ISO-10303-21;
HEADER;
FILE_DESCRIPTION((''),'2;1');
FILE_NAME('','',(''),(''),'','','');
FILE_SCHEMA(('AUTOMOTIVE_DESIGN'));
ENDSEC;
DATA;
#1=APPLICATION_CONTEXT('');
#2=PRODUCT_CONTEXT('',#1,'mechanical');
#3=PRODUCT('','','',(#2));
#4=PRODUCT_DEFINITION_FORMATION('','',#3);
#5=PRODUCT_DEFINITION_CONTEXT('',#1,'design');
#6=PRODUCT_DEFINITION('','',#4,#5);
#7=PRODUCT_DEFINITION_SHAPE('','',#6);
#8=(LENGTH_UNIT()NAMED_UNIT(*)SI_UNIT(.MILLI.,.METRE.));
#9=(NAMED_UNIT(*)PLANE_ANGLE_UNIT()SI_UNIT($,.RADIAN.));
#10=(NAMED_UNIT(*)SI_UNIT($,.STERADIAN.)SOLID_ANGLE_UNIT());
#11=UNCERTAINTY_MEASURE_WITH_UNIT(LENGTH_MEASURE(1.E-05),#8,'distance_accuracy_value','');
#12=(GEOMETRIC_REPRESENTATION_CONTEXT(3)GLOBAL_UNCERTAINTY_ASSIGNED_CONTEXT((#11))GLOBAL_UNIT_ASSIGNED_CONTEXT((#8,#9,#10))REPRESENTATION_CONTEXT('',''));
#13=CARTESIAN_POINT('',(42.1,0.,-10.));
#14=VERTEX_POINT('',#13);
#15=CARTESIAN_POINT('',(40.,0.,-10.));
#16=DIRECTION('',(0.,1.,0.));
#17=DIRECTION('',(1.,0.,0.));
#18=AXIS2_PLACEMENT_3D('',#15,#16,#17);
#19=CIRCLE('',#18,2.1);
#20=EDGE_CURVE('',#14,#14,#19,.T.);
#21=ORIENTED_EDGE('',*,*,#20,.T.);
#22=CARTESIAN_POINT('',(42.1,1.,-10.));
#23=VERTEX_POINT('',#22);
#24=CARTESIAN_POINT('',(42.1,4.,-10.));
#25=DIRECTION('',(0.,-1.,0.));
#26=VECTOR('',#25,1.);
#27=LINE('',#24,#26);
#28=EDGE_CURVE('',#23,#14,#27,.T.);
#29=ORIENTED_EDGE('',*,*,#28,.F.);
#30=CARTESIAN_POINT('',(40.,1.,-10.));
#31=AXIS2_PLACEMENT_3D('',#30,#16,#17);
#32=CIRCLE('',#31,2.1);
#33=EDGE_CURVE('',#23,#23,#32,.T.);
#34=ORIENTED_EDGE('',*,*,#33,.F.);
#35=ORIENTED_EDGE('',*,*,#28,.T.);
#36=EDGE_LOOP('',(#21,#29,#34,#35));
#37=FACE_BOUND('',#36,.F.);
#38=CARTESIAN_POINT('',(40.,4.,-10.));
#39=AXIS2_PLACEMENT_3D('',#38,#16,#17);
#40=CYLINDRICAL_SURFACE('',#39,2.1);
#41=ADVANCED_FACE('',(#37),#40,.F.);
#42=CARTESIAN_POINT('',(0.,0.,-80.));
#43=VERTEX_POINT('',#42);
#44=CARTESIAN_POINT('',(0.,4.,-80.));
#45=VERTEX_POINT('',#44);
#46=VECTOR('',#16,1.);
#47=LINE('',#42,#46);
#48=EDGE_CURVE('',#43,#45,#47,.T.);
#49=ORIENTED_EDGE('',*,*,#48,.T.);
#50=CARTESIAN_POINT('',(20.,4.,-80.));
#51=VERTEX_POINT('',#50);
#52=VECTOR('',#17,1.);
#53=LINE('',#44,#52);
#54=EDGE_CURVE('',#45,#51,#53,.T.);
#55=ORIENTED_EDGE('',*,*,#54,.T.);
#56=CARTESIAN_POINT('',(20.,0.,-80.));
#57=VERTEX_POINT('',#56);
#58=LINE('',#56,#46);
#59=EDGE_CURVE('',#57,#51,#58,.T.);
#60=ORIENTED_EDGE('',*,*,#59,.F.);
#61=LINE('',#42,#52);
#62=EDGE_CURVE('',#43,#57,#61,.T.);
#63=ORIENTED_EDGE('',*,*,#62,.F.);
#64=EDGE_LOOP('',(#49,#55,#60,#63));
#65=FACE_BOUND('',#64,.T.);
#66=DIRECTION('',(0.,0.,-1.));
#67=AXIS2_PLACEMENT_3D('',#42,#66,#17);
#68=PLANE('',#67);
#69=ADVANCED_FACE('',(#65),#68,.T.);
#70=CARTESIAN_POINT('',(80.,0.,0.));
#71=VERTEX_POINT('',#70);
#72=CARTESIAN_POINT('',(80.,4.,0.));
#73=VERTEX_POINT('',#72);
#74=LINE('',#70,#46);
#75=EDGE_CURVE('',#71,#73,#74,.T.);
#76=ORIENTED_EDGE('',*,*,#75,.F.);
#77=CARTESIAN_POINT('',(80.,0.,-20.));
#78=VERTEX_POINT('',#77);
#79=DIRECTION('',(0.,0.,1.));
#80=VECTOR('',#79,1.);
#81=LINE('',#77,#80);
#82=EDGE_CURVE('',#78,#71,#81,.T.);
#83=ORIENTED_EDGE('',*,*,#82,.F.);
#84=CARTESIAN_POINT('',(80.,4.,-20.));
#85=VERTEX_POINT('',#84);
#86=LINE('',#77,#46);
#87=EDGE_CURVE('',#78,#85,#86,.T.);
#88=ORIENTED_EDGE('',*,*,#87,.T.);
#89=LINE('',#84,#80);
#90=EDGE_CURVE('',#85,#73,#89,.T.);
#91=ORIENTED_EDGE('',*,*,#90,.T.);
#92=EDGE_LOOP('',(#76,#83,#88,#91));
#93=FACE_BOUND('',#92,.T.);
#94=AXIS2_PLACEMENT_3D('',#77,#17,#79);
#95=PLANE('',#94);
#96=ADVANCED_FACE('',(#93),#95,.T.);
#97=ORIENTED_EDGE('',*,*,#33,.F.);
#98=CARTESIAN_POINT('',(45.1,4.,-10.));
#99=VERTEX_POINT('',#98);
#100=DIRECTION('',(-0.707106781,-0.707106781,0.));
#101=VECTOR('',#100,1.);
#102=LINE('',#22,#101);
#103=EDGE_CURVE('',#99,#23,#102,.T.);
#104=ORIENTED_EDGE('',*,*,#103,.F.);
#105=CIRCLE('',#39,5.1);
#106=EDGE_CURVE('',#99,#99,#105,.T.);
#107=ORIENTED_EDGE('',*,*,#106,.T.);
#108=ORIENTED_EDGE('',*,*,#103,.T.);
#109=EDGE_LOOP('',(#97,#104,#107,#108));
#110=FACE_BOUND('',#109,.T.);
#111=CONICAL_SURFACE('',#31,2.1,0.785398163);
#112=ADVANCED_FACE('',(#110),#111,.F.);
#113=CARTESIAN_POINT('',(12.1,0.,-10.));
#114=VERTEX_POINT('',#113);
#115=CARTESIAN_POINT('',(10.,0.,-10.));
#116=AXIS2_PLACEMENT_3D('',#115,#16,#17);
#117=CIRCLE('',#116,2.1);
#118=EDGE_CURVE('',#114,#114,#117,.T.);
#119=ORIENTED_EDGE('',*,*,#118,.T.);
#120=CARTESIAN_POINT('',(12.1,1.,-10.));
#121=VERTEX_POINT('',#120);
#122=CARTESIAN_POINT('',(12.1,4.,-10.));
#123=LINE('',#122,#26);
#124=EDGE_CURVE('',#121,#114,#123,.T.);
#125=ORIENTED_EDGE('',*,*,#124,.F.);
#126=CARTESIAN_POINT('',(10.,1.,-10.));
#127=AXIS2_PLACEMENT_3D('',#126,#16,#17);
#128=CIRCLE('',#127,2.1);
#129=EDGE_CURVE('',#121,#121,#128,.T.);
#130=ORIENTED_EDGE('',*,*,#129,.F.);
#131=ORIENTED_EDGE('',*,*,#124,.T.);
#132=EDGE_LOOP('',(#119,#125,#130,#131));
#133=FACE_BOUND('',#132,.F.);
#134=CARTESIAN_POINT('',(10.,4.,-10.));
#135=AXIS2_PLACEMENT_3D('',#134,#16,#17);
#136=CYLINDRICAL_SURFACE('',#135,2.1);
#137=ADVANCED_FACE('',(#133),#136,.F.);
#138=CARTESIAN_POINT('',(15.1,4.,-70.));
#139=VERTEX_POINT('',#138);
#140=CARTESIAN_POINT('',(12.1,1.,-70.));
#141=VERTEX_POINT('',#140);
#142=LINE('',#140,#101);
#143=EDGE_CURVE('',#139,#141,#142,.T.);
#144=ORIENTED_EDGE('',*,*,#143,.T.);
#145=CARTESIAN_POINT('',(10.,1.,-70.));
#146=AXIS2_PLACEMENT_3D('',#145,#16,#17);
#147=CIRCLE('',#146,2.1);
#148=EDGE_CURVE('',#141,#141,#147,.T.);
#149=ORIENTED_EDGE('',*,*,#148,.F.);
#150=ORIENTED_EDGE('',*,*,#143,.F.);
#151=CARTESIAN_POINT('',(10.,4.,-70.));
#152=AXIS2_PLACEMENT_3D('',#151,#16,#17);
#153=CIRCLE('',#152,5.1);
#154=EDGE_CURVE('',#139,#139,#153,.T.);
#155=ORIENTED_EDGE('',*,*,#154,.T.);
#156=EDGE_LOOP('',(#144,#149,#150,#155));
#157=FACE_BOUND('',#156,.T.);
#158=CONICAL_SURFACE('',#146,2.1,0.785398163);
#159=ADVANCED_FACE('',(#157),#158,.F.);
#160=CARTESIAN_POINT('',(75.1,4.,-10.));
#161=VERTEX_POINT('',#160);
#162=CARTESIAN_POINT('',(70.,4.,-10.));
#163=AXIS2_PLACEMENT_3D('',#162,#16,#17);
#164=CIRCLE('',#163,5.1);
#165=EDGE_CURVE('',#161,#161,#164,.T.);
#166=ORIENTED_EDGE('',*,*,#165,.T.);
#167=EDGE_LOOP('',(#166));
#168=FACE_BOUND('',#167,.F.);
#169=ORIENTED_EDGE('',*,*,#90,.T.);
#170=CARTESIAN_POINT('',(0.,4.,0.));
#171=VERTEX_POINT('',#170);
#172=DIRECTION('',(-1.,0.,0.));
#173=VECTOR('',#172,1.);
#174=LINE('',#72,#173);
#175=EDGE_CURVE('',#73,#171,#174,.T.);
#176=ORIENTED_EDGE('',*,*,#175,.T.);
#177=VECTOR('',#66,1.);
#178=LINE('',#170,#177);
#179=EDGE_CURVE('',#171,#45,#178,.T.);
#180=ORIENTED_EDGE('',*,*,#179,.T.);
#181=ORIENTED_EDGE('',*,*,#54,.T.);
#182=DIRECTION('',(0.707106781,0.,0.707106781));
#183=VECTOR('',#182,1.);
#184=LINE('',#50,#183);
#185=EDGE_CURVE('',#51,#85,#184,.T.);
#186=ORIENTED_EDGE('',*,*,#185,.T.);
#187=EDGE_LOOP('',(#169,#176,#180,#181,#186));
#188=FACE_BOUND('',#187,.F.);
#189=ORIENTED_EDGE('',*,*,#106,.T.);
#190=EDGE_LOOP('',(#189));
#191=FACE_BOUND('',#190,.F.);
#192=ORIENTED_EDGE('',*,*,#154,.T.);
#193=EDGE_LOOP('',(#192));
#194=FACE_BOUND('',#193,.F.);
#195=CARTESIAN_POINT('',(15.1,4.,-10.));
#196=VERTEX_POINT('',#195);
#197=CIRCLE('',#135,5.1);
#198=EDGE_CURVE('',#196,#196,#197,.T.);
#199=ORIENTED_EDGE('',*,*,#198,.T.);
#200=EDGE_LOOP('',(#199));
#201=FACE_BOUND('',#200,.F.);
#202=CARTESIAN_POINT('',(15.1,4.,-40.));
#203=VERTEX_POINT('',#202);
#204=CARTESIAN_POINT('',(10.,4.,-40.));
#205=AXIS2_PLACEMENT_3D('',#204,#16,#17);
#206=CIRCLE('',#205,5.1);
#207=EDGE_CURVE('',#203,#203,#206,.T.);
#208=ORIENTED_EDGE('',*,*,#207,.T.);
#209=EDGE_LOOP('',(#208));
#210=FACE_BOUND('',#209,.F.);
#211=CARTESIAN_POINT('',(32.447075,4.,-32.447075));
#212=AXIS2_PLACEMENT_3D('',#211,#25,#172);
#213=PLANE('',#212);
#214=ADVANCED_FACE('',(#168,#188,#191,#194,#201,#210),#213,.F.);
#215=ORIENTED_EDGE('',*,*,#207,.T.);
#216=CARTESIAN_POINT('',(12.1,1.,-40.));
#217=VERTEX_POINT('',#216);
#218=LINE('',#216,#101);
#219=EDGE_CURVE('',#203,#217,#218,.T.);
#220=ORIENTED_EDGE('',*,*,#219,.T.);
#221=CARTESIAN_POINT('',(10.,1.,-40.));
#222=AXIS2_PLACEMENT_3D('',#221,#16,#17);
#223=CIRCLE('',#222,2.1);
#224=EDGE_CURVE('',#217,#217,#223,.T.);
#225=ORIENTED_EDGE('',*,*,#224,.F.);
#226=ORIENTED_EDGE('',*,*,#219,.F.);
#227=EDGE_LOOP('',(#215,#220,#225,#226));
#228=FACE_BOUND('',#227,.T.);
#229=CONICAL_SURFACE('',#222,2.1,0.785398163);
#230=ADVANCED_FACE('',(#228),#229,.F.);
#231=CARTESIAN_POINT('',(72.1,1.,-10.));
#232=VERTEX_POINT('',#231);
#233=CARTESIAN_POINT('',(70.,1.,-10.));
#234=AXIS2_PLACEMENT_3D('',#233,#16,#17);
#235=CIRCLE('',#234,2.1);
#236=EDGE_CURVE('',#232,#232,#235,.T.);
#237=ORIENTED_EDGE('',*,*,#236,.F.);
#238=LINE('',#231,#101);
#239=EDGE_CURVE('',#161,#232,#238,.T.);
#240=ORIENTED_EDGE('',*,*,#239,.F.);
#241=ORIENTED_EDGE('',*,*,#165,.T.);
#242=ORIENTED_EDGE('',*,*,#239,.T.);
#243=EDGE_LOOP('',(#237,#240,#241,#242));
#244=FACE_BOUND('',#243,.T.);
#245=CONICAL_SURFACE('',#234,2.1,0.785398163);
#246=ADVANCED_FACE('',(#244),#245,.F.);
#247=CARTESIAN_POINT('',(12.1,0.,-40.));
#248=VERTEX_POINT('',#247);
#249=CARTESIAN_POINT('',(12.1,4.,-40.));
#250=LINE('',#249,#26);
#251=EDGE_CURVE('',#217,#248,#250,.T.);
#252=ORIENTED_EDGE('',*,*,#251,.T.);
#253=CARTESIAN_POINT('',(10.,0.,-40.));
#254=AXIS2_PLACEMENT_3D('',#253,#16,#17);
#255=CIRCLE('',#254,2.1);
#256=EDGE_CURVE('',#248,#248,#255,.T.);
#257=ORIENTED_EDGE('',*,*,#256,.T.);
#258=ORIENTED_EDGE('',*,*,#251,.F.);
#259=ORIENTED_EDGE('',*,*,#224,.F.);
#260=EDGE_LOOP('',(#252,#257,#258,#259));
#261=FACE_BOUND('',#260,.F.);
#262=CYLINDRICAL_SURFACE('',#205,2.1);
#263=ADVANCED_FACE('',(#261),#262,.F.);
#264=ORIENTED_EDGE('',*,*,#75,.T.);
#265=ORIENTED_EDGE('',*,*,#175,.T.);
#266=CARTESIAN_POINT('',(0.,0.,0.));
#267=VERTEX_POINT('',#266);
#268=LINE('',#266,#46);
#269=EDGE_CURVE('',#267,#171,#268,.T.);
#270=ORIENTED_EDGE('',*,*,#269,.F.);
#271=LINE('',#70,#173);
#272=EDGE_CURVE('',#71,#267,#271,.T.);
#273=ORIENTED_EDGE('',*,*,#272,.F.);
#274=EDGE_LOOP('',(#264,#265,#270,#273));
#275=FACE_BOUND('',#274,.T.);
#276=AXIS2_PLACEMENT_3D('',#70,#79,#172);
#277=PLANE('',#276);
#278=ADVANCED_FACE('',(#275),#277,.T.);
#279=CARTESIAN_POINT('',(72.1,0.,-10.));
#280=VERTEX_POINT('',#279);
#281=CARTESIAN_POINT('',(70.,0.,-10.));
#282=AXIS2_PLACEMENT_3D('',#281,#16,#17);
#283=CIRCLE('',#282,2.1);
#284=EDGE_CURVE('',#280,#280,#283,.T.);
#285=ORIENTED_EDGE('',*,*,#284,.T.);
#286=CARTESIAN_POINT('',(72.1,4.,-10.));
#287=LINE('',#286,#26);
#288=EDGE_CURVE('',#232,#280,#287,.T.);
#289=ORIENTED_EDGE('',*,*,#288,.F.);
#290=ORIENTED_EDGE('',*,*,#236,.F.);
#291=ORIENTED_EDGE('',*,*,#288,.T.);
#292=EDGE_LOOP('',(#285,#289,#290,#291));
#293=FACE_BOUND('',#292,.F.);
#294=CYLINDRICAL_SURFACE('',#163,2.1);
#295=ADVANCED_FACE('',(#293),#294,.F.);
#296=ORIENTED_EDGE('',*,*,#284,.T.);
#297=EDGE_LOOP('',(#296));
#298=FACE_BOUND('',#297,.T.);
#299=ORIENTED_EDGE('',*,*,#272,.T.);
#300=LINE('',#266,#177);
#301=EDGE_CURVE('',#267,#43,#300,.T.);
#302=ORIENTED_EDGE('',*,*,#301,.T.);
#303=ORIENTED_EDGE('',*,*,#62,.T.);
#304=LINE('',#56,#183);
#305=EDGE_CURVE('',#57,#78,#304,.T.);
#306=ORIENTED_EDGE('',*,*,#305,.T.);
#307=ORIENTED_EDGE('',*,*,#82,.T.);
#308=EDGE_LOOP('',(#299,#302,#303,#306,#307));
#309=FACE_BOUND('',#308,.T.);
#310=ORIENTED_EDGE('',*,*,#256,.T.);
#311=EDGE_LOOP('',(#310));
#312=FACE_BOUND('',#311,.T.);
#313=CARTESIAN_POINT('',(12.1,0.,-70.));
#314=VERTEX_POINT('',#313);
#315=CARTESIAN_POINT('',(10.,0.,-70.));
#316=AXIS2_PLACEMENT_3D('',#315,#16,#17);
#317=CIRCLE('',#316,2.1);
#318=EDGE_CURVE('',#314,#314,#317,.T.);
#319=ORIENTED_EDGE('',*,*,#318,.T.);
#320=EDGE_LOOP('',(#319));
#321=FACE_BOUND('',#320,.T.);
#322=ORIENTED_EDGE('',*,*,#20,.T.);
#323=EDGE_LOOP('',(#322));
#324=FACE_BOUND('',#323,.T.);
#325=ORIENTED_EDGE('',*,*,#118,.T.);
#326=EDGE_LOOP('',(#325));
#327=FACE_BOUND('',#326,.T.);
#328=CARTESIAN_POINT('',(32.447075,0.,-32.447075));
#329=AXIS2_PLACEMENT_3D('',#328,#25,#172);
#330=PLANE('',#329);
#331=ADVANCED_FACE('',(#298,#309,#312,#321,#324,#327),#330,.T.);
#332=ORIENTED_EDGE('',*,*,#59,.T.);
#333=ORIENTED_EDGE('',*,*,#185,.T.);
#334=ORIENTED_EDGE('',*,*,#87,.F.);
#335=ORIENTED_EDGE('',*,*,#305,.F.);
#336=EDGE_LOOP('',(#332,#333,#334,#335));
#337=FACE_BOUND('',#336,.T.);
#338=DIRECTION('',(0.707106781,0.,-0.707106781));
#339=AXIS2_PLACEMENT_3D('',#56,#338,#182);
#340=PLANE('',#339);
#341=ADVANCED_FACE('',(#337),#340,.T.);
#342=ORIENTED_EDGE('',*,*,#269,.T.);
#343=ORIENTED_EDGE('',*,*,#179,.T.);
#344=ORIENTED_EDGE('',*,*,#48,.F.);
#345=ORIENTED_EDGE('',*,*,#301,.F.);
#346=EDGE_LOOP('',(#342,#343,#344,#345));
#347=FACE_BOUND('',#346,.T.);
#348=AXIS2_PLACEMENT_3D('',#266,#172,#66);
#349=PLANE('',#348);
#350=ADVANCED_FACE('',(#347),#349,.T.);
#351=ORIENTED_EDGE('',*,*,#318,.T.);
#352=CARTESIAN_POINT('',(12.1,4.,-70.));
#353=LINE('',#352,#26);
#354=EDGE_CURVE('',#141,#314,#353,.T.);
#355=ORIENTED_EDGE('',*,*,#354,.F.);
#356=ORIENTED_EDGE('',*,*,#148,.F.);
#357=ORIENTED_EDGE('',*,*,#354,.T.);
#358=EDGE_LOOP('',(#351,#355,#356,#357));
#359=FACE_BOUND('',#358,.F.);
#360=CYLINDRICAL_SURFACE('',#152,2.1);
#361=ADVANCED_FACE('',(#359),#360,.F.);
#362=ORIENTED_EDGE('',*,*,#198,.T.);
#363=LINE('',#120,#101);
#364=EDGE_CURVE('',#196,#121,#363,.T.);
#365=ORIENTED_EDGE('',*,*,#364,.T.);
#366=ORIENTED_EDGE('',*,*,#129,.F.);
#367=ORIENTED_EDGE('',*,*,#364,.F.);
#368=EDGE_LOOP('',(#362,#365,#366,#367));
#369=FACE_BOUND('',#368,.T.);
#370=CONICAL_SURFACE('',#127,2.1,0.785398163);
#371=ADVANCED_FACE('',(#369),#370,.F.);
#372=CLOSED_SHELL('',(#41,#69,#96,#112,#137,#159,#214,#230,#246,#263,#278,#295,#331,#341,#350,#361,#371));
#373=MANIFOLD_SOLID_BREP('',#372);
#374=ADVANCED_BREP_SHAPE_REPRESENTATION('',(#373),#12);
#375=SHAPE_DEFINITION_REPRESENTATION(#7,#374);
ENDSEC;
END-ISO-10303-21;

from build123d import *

# Parameters (mm, degrees)
BOSS_EXTRUDE1_DEPTH = 4
SKETCH3_R           = 2.1
CUT_EXTRUDE1_DEPTH  = 4
CHAMFER1_SIZE       = 3


with BuildPart() as part:
    # Sketch1 → Boss-Extrude1 (new body)
    with BuildSketch(Plane(origin=(0, 0, 0), x_dir=(1, 0, 0), z_dir=(0, 1, 0))):
        Polygon((0, 0), (0, 80), (20, 80), (80, 20), (80, 0), align=None)
    extrude(amount=BOSS_EXTRUDE1_DEPTH)

    # Sketch3 → Cut-Extrude1 (cut)
    with BuildSketch(Plane(origin=(0, 4, 0), x_dir=(1, 0, 0), z_dir=(0, 1, 0))):
        with Locations((10, 10)):
            Circle(SKETCH3_R)
        with Locations((40, 10)):
            Circle(SKETCH3_R)
        with Locations((70, 10)):
            Circle(SKETCH3_R)
        with Locations((10, 40)):
            Circle(SKETCH3_R)
        with Locations((10, 70)):
            Circle(SKETCH3_R)
    extrude(amount=-CUT_EXTRUDE1_DEPTH, mode=Mode.SUBTRACT)

    # Chamfer1
    chamfer1_edges = [part.edges().sort_by_distance(p)[0] for p in [
        (7.9, 4, -70),
        (7.9, 4, -40),
        (67.9, 4, -10),
        (7.9, 4, -10),
        (37.9, 4, -10),
    ]]
    chamfer(chamfer1_edges, length=CHAMFER1_SIZE)


solid = part.part
